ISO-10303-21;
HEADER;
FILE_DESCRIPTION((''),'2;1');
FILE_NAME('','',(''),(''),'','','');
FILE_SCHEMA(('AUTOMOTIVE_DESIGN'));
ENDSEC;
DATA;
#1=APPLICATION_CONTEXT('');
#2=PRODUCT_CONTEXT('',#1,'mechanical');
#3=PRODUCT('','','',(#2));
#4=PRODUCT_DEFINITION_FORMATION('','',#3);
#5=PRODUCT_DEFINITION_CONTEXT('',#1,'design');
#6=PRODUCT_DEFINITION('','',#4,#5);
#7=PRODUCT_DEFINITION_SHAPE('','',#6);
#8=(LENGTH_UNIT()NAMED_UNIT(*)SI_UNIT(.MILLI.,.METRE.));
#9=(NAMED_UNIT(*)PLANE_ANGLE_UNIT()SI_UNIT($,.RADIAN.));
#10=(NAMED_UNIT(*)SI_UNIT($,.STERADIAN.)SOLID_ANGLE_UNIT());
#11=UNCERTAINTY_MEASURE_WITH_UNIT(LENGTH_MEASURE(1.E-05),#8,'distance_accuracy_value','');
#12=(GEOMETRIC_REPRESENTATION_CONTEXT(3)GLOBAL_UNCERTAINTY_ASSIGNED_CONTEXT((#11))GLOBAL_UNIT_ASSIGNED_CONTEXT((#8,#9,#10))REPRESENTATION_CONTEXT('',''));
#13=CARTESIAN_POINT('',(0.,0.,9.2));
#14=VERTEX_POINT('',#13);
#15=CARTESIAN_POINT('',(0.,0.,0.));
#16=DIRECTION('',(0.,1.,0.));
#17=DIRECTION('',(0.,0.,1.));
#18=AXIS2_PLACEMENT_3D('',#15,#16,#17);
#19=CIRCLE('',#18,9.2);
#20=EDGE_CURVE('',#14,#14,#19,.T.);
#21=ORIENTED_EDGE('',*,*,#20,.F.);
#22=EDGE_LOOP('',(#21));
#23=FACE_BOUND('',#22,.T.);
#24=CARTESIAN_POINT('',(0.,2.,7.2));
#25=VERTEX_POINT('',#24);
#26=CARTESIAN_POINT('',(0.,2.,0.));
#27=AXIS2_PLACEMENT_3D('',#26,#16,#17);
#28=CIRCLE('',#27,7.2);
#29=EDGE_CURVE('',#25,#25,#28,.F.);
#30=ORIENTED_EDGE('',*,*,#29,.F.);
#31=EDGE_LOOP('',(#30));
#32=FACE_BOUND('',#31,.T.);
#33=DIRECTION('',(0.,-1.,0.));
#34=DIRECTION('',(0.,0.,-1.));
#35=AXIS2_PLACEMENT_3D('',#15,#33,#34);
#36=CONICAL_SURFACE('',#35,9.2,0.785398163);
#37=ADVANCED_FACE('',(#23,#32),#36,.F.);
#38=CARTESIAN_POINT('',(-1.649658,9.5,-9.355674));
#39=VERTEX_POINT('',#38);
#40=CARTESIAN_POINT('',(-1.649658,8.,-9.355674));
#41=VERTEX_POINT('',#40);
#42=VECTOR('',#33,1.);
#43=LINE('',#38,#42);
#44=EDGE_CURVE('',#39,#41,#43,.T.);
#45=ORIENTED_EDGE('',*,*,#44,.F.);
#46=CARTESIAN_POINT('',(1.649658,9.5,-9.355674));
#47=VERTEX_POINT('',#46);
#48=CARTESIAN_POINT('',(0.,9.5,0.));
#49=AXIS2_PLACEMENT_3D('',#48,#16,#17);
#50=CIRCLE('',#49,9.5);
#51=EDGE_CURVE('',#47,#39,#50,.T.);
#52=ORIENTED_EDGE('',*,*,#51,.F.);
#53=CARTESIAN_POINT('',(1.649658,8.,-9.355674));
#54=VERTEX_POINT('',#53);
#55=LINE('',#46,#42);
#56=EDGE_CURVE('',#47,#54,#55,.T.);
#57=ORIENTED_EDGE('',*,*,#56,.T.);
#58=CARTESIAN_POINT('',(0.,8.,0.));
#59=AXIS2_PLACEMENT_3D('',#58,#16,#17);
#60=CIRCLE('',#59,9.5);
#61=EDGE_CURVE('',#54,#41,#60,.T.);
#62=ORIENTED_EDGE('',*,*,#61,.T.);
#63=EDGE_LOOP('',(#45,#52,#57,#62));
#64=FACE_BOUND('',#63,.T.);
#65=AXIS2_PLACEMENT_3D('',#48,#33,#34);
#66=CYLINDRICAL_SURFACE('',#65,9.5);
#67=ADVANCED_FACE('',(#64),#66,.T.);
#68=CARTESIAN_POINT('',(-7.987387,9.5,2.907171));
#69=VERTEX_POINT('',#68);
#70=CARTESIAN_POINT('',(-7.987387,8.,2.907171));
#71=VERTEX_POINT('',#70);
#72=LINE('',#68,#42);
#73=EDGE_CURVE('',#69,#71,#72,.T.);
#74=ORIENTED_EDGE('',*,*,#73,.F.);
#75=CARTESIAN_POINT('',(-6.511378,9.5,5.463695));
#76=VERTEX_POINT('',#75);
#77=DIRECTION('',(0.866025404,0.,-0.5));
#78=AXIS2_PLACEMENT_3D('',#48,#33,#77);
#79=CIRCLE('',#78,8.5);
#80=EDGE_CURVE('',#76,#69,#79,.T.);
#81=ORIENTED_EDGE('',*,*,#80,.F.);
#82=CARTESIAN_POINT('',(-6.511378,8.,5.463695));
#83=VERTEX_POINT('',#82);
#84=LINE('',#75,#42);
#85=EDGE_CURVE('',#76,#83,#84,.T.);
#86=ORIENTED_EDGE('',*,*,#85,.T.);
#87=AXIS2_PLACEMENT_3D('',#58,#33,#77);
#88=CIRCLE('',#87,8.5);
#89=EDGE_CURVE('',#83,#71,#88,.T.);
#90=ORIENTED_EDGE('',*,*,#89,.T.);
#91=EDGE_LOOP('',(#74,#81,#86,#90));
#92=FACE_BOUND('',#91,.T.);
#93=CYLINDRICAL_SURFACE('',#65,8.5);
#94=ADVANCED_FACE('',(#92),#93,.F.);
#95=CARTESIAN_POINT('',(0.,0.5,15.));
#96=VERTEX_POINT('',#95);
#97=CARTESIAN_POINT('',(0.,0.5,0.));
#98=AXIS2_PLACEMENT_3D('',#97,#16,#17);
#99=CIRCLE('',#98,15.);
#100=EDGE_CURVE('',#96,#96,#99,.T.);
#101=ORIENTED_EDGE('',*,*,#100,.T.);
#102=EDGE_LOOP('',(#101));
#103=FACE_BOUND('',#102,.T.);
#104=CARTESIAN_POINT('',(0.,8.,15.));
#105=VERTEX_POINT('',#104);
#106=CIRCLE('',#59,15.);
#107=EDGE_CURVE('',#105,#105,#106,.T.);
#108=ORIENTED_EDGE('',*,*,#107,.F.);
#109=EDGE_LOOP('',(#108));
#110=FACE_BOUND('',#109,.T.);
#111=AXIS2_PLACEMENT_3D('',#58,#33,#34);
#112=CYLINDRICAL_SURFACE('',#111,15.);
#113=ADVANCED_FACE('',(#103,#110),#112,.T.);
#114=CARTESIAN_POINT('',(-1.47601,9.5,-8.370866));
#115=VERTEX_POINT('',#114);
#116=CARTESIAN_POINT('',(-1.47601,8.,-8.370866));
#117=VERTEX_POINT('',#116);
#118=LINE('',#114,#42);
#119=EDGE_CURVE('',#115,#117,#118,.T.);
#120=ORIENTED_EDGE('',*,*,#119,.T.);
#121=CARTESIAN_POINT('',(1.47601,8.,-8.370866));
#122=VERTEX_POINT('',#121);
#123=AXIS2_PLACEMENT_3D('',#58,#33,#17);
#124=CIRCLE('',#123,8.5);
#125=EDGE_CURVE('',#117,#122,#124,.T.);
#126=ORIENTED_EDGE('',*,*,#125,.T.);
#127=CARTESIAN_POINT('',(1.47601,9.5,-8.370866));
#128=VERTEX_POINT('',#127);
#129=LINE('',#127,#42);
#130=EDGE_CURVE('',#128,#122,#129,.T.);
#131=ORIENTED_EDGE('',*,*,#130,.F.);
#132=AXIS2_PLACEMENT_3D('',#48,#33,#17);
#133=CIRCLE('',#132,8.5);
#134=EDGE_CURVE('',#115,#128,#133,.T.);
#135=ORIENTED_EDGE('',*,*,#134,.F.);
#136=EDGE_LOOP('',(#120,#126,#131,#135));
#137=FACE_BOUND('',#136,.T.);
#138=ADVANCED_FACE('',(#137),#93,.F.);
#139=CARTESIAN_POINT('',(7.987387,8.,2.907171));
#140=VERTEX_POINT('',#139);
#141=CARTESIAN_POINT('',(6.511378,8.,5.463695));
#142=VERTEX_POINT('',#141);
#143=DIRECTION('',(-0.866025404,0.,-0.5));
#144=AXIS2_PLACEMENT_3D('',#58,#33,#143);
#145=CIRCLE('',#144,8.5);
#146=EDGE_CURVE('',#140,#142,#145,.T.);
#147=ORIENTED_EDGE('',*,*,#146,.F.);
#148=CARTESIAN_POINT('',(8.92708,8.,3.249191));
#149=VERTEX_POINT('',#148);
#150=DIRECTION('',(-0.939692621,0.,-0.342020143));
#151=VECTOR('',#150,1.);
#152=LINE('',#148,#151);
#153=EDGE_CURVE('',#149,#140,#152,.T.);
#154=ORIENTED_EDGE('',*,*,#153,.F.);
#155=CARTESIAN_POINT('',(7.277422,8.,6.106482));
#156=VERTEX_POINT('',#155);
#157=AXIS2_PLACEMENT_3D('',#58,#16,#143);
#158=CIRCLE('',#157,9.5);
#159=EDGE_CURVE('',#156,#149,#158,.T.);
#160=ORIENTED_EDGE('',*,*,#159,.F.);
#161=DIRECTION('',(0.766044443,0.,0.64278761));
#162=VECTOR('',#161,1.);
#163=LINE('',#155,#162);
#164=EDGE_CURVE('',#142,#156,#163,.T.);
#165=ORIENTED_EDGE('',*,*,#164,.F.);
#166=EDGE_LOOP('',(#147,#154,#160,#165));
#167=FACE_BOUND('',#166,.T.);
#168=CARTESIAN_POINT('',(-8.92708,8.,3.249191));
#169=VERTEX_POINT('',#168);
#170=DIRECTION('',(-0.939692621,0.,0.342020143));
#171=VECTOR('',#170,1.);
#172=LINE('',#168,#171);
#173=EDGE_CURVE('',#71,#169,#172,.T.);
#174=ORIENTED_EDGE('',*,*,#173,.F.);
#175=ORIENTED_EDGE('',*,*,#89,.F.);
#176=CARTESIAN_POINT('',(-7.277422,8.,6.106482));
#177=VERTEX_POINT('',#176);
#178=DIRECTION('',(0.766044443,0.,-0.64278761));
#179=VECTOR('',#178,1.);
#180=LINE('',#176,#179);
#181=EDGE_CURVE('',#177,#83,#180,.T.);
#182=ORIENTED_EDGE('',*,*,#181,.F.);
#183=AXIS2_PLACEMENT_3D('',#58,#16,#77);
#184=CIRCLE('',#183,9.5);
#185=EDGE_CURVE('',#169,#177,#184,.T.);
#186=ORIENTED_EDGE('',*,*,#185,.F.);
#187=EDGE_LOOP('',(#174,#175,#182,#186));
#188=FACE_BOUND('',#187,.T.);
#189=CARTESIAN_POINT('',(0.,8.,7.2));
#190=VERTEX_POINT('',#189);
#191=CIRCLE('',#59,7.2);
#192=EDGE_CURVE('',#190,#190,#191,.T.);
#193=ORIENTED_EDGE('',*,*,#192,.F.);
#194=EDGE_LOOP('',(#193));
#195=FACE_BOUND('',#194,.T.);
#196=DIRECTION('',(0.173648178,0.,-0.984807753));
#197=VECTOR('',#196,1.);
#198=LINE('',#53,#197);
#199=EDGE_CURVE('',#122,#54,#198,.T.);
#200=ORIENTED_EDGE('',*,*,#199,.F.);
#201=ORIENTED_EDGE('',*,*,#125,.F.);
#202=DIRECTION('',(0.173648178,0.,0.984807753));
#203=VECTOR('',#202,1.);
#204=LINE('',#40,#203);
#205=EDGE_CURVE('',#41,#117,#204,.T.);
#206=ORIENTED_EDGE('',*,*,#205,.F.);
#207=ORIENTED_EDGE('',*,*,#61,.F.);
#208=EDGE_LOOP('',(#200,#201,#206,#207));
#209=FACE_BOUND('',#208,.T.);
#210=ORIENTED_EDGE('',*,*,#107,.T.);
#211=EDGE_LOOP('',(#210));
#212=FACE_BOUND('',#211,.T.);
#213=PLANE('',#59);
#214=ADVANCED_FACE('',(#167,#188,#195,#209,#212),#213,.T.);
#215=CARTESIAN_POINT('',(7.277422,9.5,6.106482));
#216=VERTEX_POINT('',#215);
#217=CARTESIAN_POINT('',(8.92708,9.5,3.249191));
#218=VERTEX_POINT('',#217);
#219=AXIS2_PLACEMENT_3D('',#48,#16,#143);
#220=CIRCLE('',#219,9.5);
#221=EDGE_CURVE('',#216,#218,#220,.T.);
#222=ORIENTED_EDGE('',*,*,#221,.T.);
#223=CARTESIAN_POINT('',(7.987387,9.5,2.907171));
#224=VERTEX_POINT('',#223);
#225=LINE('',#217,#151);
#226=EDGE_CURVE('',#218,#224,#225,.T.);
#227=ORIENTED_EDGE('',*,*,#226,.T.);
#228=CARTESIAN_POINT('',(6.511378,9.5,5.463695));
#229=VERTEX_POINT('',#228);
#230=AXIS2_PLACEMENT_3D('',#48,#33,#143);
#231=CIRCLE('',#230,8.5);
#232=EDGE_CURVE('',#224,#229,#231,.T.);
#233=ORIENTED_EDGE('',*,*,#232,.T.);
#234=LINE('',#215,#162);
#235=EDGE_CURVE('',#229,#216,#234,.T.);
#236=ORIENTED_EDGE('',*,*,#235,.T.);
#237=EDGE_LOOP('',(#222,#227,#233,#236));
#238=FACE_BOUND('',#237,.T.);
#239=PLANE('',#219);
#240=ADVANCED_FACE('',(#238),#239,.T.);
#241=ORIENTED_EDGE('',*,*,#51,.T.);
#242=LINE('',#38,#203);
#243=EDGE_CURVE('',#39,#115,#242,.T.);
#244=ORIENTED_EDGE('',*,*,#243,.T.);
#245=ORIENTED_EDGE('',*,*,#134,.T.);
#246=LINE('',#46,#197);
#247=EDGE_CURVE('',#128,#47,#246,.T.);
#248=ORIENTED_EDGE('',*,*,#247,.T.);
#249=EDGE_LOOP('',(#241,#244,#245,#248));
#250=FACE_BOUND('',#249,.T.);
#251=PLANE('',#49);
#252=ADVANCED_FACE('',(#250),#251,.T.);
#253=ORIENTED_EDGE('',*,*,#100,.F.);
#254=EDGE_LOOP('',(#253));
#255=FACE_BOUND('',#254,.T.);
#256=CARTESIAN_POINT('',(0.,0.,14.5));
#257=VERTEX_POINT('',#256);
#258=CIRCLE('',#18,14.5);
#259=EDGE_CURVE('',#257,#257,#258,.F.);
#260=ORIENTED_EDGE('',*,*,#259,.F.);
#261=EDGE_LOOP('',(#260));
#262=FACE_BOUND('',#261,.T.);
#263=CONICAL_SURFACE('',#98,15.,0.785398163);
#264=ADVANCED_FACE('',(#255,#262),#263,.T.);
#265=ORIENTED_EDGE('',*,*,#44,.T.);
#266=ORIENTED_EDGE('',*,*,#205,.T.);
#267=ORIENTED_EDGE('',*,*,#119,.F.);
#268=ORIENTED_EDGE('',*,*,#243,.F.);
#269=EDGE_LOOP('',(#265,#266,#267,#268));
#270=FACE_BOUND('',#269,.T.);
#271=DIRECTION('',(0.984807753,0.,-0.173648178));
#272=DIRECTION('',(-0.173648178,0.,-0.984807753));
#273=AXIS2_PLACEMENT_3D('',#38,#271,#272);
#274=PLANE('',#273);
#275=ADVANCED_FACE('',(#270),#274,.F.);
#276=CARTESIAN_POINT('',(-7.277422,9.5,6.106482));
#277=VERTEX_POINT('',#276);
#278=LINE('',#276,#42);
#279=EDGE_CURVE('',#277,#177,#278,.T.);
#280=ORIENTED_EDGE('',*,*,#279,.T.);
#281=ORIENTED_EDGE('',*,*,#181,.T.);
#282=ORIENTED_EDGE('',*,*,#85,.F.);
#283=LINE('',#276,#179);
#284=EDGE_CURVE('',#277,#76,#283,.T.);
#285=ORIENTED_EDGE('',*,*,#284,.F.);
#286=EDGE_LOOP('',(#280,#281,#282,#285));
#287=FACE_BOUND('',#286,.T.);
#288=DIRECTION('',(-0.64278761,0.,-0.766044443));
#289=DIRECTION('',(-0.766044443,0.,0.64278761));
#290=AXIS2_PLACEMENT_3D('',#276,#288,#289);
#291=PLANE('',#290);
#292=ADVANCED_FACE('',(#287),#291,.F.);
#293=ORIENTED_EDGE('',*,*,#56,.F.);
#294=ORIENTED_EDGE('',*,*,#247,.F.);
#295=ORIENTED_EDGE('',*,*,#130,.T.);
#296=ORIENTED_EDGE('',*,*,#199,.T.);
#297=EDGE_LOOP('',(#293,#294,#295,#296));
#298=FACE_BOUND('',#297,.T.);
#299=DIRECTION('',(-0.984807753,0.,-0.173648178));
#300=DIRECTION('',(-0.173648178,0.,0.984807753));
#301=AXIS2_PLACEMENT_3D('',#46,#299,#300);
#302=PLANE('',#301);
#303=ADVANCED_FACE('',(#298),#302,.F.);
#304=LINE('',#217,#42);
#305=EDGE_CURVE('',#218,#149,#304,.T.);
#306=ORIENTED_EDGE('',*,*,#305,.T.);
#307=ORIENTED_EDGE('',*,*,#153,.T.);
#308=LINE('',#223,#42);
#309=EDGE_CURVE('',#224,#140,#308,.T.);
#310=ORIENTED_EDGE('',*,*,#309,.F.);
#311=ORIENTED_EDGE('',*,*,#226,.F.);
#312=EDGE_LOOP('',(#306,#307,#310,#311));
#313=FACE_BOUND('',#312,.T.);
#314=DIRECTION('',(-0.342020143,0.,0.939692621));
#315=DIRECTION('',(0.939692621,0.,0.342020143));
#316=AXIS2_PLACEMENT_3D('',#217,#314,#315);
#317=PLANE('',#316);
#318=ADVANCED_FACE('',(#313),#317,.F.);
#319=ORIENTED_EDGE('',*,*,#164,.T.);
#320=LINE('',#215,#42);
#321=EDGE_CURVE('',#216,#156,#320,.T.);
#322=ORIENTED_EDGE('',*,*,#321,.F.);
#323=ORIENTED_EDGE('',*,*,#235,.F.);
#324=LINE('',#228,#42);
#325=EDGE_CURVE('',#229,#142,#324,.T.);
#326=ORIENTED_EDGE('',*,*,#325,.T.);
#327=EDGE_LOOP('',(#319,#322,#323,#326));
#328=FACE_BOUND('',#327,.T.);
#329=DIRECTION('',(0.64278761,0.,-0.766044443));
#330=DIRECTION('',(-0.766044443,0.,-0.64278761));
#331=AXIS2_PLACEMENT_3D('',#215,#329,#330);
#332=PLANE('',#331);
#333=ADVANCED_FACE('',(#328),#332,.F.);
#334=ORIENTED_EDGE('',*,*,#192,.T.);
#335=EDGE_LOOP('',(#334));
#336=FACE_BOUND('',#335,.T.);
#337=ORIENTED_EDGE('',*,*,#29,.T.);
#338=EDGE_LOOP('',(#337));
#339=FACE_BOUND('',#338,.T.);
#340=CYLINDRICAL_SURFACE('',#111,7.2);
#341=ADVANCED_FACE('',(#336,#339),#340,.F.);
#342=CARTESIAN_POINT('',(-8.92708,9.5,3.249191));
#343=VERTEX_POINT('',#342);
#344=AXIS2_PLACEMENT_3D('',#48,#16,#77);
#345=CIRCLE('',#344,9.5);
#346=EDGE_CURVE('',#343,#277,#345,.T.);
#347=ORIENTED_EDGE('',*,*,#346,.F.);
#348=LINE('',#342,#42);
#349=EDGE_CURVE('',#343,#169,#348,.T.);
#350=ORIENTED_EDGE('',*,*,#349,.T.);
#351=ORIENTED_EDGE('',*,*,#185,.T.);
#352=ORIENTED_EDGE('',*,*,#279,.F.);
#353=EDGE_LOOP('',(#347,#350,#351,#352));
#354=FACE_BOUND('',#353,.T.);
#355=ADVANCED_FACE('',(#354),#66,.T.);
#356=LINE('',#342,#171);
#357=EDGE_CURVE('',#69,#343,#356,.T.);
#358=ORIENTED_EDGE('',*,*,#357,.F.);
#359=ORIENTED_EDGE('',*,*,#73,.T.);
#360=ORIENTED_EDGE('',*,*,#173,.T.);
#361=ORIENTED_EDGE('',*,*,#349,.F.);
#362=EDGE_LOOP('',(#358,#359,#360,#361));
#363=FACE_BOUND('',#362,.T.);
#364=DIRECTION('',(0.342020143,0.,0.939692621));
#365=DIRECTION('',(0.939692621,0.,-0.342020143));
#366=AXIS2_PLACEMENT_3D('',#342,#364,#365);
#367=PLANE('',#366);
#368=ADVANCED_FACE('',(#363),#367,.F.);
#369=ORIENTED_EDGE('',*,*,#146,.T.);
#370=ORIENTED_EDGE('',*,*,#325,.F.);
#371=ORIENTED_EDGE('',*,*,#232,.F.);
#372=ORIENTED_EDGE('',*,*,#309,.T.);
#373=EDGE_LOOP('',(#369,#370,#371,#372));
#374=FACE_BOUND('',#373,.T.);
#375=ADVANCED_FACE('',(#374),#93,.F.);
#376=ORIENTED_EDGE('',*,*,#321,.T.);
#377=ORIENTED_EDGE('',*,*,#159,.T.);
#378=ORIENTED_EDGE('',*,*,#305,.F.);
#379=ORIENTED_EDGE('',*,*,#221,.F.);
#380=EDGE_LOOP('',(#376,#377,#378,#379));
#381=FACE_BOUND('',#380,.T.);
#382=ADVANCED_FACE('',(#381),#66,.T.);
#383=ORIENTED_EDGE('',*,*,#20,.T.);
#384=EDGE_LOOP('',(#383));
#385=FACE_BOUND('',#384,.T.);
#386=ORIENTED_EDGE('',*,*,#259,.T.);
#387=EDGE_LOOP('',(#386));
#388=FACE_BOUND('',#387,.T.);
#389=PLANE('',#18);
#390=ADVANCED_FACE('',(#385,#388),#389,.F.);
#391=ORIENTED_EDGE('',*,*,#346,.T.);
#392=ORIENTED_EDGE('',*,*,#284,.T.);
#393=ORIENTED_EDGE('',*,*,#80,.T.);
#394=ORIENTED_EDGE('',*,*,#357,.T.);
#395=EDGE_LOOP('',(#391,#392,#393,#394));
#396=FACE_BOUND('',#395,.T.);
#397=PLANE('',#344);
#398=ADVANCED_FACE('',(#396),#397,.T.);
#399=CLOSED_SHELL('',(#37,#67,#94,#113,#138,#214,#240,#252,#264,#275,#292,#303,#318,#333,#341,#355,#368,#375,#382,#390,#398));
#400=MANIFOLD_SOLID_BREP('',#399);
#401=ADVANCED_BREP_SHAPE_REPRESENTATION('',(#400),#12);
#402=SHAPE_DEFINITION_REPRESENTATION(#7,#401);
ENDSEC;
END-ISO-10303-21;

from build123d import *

# Parameters (mm, degrees)
SKETCH_1_R               = 15
SKETCH_1_R_2             = 7.2
EXTRUDE_1_DEPTH          = 8
CHAMFER_1_SIZE           = 0.5
CHAMFER_2_SIZE           = 2
EXTRUDE_2_DEPTH          = 1.5
PATTERN_CIRCULAR_1_COUNT = 3


with BuildPart() as part:
    # 草图1 → 凸台-拉伸1 (new body)
    with BuildSketch(Plane(origin=(0, 0, 0), x_dir=(1, 0, 0), z_dir=(0, 1, 0))):
        with Locations(Location((0, 0, 0), (0, 0, 270))):
            Circle(SKETCH_1_R)
        with Locations(Location((0, 0, 0), (0, 0, 270))):
            Circle(SKETCH_1_R_2, mode=Mode.SUBTRACT)
    extrude(amount=EXTRUDE_1_DEPTH)

    # 倒角1
    chamfer_1_edges = [part.edges().sort_by_distance(p)[0] for p in [
        (0, 0, -15),
    ]]
    chamfer(chamfer_1_edges, length=CHAMFER_1_SIZE)

    # 倒角2
    chamfer_2_edges = [part.edges().sort_by_distance(p)[0] for p in [
        (0, 0, -7.2),
    ]]
    chamfer(chamfer_2_edges, length=CHAMFER_2_SIZE)

    # 草图2 → 凸台-拉伸2 (add)
    with BuildSketch(Plane(origin=(0, 8, 0), x_dir=(1, 0, 0), z_dir=(0, 1, 0))):
        with BuildLine():
            Line((1.649657688, 9.355673654), (1.47600951, 8.370865901))
            ThreePointArc((1.47600951, 8.370865901), (0, 8.5), (-1.47600951, 8.370865901))
            Line((-1.47600951, 8.370865901), (-1.649657688, 9.355673654))
            ThreePointArc((-1.649657688, 9.355673654), (0, 9.5), (1.649657688, 9.355673654))
        make_face()
    extrude_2 = extrude(amount=EXTRUDE_2_DEPTH)

    # 阵列(圆周)1: 凸台-拉伸2 ×3 about axis
    pattern_circular_1_axis = Axis((0, 0, 0), (0, 1, 0))
    for i in range(1, PATTERN_CIRCULAR_1_COUNT):
        add(extrude_2.rotate(pattern_circular_1_axis, i * 360 / PATTERN_CIRCULAR_1_COUNT))


solid = part.part
